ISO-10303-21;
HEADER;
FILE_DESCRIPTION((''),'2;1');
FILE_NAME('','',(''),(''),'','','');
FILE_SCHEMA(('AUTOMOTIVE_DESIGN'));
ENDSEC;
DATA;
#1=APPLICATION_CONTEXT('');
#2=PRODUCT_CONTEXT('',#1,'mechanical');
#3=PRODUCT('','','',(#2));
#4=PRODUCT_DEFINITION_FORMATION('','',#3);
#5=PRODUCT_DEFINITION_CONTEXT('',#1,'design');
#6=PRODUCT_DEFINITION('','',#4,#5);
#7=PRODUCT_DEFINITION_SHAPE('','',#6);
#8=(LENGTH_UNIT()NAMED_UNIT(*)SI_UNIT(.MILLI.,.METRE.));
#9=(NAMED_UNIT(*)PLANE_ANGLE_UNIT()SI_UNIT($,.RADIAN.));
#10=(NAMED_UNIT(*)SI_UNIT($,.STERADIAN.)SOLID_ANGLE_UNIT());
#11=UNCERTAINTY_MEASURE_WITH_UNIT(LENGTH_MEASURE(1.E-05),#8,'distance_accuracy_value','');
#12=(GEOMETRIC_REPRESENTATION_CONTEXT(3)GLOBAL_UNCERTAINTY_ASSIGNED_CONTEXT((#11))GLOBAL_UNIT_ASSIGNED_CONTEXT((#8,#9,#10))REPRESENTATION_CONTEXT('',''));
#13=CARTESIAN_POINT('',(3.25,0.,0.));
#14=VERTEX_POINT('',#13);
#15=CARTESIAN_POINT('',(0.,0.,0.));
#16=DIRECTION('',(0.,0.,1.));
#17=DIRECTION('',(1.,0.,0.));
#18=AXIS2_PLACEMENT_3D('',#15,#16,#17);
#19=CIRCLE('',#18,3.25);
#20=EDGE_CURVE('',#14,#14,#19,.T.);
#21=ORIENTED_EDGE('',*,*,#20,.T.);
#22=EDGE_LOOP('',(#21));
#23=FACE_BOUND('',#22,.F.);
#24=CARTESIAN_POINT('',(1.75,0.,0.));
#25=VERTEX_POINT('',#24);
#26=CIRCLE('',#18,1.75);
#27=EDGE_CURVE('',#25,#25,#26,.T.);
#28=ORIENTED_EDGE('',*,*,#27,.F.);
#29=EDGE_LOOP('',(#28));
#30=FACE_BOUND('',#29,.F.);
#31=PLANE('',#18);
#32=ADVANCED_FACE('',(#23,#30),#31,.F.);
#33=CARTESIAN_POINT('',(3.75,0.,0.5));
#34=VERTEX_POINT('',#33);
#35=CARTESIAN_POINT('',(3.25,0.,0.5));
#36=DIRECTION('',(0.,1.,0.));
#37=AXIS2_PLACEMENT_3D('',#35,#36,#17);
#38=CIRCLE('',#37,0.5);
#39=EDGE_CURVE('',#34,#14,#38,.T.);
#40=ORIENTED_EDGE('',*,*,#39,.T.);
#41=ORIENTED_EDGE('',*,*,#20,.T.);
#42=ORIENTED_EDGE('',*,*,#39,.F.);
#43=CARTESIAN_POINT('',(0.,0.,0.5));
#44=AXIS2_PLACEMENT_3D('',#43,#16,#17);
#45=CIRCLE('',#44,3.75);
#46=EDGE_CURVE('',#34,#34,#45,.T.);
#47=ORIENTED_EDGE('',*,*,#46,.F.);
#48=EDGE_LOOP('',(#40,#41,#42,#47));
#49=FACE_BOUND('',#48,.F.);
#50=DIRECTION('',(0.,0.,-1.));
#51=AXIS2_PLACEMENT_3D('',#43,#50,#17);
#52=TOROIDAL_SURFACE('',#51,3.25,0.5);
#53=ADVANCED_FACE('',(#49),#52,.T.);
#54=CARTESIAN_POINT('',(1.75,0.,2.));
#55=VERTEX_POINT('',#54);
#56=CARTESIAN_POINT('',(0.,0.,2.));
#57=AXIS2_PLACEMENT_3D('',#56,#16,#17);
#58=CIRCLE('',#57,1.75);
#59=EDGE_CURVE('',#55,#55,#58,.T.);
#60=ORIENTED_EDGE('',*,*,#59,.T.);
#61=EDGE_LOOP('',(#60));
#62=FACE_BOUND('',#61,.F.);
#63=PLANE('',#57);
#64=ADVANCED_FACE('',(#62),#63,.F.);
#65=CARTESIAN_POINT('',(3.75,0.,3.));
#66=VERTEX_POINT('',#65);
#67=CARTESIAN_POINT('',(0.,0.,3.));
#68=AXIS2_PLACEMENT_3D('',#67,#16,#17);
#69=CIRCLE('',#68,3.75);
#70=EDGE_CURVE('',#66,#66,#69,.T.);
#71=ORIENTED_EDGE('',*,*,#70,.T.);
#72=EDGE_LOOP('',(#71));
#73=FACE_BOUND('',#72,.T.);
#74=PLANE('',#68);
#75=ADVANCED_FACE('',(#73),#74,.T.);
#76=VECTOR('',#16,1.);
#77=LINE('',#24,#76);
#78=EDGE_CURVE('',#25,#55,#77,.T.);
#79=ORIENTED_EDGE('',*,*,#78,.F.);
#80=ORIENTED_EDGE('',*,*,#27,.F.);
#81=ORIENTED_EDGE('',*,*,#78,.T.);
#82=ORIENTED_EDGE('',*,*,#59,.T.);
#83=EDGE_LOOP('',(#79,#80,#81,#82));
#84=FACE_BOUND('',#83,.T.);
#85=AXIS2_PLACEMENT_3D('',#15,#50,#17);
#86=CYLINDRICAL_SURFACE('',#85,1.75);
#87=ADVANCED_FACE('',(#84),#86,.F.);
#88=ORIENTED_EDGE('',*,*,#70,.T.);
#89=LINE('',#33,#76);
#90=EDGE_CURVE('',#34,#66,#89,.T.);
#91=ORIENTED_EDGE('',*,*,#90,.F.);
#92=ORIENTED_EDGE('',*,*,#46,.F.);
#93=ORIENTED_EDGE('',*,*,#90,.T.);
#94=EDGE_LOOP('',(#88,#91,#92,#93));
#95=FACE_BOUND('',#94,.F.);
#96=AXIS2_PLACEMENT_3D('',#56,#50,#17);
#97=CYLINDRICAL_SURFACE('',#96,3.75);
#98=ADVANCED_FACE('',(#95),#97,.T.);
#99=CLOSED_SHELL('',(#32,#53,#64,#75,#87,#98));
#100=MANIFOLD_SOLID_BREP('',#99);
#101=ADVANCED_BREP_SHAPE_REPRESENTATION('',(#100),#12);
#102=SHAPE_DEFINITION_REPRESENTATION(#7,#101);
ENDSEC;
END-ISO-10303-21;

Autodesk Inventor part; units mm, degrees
ref_plane "YZ Plane" through (0, 0, 0) normal (1, 0, 0) x (0, 1, 0)
ref_plane "XZ Plane" through (0, 0, 0) normal (0, 1, 0) x (-1, 0, 0)
ref_plane "XY Plane" through (0, 0, 0) normal (0, 0, 1) x (1, 0, 0)
sketch "Sketch1" plane through (0, 0, 0) normal (0, 0, 1) x (1, 0, 0)
  circle A0 centre (0, 0) radius 1.75
  circle A1 centre (0, 0) radius 3.75
  dimension "d0" = 3.5
  dimension "d1" = 2
extrude "Extrusion1" add sketch "Sketch1" along normal blind 2
fillet "Fillet1" radius 0.5 1 edges at (-3.75, 0, 0)
sketch "Sketch2" plane through (0, 0, 2) normal (0, 0, 1) x (1, 0, 0)
  circle A0 centre (0, 0) radius 3.75
extrude "Extrusion2" add sketch "Sketch2" along normal blind 1
properties part number "direksiyon mili tutucu"
